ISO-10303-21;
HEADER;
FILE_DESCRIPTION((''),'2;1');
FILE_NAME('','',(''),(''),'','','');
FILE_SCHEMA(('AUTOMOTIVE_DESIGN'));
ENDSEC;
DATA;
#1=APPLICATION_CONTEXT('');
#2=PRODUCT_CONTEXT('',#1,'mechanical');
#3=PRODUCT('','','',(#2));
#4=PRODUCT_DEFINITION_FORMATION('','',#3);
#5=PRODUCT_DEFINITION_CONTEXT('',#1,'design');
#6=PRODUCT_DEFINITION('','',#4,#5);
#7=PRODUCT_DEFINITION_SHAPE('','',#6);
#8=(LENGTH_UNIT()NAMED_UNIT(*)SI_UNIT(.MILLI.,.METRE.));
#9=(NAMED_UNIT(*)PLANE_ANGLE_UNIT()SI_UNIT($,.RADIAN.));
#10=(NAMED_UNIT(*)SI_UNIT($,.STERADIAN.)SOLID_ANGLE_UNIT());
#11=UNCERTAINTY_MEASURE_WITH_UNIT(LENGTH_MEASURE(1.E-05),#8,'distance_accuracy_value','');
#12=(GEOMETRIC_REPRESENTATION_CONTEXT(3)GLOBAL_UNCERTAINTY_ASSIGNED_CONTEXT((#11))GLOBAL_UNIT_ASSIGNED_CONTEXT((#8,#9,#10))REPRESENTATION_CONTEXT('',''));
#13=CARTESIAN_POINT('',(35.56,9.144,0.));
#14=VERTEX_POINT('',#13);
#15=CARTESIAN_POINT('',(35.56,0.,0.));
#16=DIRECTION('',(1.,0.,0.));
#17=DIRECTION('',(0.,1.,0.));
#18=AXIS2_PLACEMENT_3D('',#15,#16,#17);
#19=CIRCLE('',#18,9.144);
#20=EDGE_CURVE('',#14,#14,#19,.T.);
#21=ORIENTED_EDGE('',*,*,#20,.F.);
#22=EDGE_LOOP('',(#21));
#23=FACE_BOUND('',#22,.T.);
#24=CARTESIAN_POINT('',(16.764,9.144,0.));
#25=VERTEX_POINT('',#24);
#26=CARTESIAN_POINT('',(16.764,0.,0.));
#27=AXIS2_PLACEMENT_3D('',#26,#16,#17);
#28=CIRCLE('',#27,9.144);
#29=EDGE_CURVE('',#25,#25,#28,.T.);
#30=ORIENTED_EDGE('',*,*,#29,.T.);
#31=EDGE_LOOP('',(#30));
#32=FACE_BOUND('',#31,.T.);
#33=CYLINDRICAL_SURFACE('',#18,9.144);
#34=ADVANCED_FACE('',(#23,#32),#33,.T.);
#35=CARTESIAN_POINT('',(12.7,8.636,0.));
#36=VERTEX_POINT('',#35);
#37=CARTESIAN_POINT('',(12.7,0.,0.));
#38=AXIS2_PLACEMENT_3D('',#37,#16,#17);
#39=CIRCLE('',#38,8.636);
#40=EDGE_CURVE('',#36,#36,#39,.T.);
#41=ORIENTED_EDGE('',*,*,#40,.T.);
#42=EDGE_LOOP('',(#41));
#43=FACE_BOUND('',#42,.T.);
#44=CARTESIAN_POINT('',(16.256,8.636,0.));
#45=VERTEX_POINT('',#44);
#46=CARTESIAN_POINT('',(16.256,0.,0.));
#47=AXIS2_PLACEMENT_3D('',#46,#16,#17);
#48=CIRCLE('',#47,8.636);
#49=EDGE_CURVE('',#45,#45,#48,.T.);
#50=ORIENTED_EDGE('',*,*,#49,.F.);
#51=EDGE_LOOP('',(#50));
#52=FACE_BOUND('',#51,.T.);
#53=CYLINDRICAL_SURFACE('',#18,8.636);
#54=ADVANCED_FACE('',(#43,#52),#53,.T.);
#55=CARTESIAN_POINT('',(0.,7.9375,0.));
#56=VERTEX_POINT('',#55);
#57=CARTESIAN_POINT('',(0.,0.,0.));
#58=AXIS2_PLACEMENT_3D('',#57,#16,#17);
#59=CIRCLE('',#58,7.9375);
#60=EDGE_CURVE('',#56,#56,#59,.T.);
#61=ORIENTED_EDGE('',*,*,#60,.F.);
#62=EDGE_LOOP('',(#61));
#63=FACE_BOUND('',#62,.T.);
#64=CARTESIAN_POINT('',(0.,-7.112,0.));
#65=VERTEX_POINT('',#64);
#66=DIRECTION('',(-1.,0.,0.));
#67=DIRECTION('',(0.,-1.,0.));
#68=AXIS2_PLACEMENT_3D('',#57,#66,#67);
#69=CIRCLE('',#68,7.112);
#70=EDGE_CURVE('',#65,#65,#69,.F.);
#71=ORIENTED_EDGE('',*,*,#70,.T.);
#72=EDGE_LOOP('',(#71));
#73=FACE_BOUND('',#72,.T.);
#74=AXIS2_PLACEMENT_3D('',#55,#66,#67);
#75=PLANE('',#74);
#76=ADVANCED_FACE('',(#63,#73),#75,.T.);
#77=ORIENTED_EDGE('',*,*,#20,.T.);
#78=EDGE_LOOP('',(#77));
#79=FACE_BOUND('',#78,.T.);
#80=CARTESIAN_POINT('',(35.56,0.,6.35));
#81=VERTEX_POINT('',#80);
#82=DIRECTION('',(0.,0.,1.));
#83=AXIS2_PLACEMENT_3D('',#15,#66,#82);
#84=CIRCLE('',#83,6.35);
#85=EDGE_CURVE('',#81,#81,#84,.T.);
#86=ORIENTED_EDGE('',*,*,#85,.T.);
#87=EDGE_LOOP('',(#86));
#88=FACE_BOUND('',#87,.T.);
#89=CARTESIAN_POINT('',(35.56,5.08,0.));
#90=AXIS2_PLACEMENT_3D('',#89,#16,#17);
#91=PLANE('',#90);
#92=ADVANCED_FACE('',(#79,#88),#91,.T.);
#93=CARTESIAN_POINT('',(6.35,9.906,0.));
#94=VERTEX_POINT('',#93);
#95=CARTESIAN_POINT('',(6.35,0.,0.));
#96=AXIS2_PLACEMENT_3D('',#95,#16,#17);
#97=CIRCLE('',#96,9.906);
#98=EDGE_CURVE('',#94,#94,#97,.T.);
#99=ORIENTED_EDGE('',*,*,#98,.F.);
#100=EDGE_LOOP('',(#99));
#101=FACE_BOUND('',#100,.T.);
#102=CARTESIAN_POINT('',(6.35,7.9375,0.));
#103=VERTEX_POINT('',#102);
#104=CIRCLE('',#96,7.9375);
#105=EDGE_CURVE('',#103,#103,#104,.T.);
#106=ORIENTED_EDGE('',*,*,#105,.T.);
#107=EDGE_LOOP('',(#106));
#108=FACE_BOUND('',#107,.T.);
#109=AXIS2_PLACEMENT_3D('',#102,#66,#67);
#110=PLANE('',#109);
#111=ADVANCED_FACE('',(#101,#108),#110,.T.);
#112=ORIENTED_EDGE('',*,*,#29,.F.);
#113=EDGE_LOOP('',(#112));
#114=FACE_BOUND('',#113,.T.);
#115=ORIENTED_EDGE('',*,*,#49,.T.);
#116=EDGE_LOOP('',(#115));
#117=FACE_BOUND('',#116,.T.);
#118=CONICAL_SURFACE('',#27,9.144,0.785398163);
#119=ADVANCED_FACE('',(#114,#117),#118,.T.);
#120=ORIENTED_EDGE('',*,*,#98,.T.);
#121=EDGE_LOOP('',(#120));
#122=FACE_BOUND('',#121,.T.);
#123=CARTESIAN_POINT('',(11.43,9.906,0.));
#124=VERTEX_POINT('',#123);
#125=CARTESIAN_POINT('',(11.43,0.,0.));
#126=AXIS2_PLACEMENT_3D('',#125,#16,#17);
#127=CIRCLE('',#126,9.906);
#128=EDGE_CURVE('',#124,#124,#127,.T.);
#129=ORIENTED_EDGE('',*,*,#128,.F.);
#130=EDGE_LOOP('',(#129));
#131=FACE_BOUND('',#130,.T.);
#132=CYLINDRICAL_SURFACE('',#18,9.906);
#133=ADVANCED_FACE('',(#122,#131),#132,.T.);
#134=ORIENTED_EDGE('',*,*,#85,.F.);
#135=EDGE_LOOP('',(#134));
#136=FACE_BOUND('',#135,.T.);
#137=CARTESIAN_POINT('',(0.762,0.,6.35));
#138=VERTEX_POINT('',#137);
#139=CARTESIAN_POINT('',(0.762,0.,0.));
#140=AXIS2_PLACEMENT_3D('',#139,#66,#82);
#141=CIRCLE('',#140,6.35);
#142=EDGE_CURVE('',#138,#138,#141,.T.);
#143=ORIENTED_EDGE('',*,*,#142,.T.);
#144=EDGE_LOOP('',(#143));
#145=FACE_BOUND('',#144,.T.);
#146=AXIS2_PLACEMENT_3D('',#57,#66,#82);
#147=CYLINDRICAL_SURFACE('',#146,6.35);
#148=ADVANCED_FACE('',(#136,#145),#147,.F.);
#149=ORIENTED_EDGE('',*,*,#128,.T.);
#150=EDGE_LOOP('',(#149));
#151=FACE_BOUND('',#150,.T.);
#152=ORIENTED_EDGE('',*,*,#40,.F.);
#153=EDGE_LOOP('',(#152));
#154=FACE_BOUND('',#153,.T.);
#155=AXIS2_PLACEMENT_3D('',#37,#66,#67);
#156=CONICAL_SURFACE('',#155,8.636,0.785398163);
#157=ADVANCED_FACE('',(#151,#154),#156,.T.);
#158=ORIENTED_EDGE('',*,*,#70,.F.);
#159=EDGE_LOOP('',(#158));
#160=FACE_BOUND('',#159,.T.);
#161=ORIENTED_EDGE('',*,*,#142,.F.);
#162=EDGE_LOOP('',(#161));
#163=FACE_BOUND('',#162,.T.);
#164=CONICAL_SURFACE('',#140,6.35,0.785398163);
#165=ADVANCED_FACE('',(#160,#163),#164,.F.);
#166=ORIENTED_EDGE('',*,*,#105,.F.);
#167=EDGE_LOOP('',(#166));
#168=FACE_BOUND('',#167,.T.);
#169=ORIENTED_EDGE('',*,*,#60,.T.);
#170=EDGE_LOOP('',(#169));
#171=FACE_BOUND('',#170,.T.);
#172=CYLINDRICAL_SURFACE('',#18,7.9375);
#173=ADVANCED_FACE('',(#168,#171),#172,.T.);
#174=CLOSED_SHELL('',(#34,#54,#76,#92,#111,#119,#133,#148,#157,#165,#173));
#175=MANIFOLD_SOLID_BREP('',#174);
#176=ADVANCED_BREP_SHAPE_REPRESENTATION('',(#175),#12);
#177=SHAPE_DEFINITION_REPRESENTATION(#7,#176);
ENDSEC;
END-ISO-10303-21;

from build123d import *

# Parameters (mm, degrees)
F_1_2_0_5_DIAMETER_HOLE1_D = 12.7
CHAMFER1_SIZE              = 0.762


with BuildPart() as part:
    # Sketch1 → Revolve1 (revolve)
    with BuildSketch(Plane.XY):
        Polygon((6.35, 7.9375), (6.35, 9.906), (11.43, 9.906), (12.7, 8.636), (16.256, 8.636), (16.764, 9.144), (35.56, 9.144), (35.56, 5.08), (35.56, 0), (0, 0), (0, 7.9375), align=None)
    revolve(axis=Axis((35.56, 0, 0), (-1, 0, 0)))

    # 1/2 (0.5) Diameter Hole1 (through all)
    with Locations(Plane.ZY):
        with Locations((0, 0)):
            Hole(F_1_2_0_5_DIAMETER_HOLE1_D / 2)

    # Chamfer1
    chamfer1_edges = [part.edges().sort_by_distance(p)[0] for p in [
        (0, 0, 6.35),
    ]]
    chamfer(chamfer1_edges, length=CHAMFER1_SIZE)


solid = part.part
